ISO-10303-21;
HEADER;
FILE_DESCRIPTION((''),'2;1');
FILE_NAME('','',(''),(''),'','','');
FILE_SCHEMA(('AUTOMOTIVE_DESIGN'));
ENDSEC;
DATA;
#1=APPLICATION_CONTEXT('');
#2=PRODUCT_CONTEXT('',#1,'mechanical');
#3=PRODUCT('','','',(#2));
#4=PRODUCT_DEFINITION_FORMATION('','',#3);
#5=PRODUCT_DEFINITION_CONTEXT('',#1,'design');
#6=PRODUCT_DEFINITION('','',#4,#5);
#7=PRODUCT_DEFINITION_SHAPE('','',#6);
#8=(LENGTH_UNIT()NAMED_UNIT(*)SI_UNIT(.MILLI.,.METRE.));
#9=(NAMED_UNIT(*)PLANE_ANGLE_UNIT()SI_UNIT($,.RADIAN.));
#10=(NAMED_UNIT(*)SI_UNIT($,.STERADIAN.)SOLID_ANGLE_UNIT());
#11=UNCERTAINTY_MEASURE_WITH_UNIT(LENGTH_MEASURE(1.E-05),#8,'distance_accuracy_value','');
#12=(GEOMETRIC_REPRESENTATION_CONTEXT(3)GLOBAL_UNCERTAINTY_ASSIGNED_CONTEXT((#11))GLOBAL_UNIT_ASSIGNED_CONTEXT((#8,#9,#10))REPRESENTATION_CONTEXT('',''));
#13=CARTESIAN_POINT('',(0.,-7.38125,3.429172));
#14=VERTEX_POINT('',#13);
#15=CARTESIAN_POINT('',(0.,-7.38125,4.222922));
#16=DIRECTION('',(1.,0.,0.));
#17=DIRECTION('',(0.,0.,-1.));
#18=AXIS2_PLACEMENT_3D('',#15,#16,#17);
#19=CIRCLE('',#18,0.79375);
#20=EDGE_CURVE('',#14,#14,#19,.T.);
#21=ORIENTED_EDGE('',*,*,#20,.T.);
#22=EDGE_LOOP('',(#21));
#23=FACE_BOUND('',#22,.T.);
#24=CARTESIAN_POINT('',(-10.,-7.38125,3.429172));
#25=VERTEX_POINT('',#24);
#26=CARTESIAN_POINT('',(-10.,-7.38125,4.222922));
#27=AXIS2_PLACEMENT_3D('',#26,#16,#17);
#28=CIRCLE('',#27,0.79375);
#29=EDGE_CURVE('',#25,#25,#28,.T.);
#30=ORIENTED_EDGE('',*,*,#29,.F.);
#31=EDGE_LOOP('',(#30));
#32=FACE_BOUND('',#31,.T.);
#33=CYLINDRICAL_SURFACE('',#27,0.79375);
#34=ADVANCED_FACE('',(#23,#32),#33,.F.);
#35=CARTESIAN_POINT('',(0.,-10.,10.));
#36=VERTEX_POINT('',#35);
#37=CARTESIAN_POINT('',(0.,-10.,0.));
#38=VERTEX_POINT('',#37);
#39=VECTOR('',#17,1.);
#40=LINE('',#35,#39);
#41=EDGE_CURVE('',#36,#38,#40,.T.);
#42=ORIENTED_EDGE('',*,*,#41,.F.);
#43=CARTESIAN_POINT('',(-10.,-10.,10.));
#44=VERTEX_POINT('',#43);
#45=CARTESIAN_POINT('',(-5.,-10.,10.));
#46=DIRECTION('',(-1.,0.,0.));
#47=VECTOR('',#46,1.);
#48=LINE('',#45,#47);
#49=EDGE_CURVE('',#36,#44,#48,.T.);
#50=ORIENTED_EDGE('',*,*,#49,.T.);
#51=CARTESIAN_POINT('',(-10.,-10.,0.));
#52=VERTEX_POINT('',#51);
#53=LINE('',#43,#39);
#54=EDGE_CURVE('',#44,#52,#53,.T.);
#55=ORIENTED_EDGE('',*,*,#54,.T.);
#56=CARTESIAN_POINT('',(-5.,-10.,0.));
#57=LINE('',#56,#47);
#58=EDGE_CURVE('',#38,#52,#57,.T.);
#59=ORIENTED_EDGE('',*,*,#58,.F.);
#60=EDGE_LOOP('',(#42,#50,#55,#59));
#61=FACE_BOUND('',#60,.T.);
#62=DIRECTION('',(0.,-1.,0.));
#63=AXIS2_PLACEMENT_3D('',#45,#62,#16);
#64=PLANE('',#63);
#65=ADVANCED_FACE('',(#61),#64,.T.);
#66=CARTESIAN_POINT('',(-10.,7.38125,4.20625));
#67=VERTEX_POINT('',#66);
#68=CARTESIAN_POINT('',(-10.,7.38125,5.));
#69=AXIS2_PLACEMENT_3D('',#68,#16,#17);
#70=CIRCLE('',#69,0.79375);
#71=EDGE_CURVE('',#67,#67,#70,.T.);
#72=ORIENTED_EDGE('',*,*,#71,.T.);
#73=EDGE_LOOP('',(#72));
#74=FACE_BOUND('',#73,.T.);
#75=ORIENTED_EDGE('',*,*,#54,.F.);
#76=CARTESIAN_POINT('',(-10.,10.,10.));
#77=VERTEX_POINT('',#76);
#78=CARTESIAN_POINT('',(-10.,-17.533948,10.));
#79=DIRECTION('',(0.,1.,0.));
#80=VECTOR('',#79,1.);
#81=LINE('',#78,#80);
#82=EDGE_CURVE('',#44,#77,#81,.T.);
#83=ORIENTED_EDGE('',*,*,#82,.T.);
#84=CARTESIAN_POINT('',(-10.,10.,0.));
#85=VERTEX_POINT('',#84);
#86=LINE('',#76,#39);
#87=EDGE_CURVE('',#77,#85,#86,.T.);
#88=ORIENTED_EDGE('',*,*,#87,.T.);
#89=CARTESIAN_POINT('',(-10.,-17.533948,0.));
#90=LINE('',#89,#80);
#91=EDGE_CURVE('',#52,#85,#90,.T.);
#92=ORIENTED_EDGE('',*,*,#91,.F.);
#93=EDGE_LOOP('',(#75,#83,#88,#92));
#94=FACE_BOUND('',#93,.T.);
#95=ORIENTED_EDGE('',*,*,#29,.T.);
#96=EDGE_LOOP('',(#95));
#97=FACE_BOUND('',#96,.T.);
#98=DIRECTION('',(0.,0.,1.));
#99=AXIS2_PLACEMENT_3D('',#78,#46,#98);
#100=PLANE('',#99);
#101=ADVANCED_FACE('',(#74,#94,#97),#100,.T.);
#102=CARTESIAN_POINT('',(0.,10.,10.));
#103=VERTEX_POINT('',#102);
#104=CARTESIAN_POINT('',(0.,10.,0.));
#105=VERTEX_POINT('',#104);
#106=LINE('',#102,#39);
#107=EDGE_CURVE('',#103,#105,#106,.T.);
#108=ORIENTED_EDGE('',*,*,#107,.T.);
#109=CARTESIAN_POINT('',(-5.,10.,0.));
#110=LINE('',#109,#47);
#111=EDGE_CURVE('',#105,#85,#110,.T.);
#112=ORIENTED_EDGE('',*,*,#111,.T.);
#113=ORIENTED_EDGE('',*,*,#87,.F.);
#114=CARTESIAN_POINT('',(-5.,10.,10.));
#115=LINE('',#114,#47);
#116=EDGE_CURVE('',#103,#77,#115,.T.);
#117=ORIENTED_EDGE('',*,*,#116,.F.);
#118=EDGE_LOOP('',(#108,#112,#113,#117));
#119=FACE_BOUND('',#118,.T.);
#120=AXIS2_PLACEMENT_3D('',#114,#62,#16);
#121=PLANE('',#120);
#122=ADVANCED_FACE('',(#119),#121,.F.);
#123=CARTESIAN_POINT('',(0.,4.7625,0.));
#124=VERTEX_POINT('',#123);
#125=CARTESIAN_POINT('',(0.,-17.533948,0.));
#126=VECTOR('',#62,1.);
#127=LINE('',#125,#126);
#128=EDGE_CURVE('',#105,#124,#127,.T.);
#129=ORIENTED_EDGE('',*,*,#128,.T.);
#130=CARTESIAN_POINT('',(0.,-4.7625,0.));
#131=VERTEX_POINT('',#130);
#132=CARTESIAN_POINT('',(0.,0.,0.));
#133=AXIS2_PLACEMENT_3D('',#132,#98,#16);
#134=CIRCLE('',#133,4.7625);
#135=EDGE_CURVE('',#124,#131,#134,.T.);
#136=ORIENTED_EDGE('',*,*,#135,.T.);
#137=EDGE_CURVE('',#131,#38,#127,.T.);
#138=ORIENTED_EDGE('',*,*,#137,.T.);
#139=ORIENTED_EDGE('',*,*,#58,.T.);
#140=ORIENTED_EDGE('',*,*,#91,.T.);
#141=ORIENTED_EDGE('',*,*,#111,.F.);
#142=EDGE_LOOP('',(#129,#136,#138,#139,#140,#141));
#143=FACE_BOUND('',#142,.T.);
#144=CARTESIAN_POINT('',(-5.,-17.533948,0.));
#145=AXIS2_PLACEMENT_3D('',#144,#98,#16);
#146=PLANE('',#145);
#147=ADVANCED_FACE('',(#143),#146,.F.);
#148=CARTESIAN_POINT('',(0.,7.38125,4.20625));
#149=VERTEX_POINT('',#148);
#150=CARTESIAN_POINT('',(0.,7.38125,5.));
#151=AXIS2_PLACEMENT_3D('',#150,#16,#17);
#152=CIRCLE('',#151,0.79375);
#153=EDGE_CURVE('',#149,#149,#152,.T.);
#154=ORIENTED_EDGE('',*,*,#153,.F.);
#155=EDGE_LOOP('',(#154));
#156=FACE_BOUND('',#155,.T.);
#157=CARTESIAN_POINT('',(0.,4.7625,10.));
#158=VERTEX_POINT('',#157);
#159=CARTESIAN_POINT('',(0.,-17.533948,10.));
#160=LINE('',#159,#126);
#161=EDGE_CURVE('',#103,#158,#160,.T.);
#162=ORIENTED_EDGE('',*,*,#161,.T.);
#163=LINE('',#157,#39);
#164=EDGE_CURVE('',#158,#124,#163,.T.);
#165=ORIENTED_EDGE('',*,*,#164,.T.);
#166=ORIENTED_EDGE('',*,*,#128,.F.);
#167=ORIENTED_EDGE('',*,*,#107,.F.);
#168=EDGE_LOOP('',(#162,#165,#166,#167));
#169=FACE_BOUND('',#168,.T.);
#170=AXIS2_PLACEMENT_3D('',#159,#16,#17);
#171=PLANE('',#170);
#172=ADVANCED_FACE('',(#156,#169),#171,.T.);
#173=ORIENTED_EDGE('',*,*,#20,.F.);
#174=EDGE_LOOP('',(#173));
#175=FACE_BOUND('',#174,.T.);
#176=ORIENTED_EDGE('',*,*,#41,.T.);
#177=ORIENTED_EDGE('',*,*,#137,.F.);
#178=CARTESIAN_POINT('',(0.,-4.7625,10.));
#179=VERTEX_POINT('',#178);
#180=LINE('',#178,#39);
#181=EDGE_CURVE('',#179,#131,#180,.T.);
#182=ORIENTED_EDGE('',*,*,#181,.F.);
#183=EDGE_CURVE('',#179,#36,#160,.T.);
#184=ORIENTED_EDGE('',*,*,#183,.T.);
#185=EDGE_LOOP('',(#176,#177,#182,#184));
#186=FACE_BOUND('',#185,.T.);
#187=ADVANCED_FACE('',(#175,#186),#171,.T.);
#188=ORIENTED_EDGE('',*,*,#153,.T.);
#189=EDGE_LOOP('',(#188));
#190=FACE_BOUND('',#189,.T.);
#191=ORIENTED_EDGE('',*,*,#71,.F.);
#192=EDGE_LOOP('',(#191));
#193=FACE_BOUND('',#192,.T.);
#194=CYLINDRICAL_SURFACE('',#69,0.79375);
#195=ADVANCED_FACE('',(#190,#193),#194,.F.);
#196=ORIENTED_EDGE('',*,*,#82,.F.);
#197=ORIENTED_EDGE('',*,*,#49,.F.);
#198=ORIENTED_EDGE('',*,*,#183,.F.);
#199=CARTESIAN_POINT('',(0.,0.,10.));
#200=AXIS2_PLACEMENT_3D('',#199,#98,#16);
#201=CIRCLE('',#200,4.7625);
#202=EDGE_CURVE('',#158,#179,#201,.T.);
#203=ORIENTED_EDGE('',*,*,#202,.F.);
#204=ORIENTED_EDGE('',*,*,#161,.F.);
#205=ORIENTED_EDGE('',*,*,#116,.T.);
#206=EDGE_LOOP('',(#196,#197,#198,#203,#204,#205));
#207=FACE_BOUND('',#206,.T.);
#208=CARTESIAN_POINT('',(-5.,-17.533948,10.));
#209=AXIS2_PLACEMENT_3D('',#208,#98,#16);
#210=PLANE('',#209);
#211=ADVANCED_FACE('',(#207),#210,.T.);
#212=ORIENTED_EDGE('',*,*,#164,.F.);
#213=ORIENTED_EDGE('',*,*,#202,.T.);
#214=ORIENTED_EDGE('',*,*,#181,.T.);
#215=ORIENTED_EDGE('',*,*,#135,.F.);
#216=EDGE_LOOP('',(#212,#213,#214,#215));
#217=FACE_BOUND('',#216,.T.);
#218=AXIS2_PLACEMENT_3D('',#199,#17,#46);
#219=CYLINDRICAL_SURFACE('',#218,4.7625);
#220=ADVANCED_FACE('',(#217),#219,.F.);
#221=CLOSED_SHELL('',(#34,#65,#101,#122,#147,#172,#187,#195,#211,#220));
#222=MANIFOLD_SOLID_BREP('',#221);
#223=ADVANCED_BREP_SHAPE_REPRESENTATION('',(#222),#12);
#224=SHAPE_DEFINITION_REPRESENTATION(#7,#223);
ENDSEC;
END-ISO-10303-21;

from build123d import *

# Parameters (mm, degrees)
EXTRUDE_1_DEPTH     = 10
SKETCH_2_R          = 0.79375
CUT_EXTRUDE_1_DEPTH = 18.320508076


with BuildPart() as part:
    # 草图1 → 凸台-拉伸1 (new body)
    with BuildSketch(Plane.XY):
        with BuildLine():
            Line((0, 4.7625), (0, 10))
            Line((0, 10), (-10, 10))
            Line((-10, 10), (-10, -10))
            Line((-10, -10), (0, -10))
            Line((0, -10), (0, -4.7625))
            ThreePointArc((0, -4.7625), (-4.7625, 0), (0, 4.7625))
        make_face()
    extrude(amount=EXTRUDE_1_DEPTH)

    # 草图2 → 切除-拉伸1 (cut, through all)
    with BuildSketch(Plane(origin=(0, 0, 0), x_dir=(0, 0, -1), z_dir=(1, 0, 0))):
        with Locations((-5, 7.38125)):
            Circle(SKETCH_2_R)
        with Locations((-4.222922478, -7.38125)):
            Circle(SKETCH_2_R)
    extrude(amount=-CUT_EXTRUDE_1_DEPTH, mode=Mode.SUBTRACT)


solid = part.part
